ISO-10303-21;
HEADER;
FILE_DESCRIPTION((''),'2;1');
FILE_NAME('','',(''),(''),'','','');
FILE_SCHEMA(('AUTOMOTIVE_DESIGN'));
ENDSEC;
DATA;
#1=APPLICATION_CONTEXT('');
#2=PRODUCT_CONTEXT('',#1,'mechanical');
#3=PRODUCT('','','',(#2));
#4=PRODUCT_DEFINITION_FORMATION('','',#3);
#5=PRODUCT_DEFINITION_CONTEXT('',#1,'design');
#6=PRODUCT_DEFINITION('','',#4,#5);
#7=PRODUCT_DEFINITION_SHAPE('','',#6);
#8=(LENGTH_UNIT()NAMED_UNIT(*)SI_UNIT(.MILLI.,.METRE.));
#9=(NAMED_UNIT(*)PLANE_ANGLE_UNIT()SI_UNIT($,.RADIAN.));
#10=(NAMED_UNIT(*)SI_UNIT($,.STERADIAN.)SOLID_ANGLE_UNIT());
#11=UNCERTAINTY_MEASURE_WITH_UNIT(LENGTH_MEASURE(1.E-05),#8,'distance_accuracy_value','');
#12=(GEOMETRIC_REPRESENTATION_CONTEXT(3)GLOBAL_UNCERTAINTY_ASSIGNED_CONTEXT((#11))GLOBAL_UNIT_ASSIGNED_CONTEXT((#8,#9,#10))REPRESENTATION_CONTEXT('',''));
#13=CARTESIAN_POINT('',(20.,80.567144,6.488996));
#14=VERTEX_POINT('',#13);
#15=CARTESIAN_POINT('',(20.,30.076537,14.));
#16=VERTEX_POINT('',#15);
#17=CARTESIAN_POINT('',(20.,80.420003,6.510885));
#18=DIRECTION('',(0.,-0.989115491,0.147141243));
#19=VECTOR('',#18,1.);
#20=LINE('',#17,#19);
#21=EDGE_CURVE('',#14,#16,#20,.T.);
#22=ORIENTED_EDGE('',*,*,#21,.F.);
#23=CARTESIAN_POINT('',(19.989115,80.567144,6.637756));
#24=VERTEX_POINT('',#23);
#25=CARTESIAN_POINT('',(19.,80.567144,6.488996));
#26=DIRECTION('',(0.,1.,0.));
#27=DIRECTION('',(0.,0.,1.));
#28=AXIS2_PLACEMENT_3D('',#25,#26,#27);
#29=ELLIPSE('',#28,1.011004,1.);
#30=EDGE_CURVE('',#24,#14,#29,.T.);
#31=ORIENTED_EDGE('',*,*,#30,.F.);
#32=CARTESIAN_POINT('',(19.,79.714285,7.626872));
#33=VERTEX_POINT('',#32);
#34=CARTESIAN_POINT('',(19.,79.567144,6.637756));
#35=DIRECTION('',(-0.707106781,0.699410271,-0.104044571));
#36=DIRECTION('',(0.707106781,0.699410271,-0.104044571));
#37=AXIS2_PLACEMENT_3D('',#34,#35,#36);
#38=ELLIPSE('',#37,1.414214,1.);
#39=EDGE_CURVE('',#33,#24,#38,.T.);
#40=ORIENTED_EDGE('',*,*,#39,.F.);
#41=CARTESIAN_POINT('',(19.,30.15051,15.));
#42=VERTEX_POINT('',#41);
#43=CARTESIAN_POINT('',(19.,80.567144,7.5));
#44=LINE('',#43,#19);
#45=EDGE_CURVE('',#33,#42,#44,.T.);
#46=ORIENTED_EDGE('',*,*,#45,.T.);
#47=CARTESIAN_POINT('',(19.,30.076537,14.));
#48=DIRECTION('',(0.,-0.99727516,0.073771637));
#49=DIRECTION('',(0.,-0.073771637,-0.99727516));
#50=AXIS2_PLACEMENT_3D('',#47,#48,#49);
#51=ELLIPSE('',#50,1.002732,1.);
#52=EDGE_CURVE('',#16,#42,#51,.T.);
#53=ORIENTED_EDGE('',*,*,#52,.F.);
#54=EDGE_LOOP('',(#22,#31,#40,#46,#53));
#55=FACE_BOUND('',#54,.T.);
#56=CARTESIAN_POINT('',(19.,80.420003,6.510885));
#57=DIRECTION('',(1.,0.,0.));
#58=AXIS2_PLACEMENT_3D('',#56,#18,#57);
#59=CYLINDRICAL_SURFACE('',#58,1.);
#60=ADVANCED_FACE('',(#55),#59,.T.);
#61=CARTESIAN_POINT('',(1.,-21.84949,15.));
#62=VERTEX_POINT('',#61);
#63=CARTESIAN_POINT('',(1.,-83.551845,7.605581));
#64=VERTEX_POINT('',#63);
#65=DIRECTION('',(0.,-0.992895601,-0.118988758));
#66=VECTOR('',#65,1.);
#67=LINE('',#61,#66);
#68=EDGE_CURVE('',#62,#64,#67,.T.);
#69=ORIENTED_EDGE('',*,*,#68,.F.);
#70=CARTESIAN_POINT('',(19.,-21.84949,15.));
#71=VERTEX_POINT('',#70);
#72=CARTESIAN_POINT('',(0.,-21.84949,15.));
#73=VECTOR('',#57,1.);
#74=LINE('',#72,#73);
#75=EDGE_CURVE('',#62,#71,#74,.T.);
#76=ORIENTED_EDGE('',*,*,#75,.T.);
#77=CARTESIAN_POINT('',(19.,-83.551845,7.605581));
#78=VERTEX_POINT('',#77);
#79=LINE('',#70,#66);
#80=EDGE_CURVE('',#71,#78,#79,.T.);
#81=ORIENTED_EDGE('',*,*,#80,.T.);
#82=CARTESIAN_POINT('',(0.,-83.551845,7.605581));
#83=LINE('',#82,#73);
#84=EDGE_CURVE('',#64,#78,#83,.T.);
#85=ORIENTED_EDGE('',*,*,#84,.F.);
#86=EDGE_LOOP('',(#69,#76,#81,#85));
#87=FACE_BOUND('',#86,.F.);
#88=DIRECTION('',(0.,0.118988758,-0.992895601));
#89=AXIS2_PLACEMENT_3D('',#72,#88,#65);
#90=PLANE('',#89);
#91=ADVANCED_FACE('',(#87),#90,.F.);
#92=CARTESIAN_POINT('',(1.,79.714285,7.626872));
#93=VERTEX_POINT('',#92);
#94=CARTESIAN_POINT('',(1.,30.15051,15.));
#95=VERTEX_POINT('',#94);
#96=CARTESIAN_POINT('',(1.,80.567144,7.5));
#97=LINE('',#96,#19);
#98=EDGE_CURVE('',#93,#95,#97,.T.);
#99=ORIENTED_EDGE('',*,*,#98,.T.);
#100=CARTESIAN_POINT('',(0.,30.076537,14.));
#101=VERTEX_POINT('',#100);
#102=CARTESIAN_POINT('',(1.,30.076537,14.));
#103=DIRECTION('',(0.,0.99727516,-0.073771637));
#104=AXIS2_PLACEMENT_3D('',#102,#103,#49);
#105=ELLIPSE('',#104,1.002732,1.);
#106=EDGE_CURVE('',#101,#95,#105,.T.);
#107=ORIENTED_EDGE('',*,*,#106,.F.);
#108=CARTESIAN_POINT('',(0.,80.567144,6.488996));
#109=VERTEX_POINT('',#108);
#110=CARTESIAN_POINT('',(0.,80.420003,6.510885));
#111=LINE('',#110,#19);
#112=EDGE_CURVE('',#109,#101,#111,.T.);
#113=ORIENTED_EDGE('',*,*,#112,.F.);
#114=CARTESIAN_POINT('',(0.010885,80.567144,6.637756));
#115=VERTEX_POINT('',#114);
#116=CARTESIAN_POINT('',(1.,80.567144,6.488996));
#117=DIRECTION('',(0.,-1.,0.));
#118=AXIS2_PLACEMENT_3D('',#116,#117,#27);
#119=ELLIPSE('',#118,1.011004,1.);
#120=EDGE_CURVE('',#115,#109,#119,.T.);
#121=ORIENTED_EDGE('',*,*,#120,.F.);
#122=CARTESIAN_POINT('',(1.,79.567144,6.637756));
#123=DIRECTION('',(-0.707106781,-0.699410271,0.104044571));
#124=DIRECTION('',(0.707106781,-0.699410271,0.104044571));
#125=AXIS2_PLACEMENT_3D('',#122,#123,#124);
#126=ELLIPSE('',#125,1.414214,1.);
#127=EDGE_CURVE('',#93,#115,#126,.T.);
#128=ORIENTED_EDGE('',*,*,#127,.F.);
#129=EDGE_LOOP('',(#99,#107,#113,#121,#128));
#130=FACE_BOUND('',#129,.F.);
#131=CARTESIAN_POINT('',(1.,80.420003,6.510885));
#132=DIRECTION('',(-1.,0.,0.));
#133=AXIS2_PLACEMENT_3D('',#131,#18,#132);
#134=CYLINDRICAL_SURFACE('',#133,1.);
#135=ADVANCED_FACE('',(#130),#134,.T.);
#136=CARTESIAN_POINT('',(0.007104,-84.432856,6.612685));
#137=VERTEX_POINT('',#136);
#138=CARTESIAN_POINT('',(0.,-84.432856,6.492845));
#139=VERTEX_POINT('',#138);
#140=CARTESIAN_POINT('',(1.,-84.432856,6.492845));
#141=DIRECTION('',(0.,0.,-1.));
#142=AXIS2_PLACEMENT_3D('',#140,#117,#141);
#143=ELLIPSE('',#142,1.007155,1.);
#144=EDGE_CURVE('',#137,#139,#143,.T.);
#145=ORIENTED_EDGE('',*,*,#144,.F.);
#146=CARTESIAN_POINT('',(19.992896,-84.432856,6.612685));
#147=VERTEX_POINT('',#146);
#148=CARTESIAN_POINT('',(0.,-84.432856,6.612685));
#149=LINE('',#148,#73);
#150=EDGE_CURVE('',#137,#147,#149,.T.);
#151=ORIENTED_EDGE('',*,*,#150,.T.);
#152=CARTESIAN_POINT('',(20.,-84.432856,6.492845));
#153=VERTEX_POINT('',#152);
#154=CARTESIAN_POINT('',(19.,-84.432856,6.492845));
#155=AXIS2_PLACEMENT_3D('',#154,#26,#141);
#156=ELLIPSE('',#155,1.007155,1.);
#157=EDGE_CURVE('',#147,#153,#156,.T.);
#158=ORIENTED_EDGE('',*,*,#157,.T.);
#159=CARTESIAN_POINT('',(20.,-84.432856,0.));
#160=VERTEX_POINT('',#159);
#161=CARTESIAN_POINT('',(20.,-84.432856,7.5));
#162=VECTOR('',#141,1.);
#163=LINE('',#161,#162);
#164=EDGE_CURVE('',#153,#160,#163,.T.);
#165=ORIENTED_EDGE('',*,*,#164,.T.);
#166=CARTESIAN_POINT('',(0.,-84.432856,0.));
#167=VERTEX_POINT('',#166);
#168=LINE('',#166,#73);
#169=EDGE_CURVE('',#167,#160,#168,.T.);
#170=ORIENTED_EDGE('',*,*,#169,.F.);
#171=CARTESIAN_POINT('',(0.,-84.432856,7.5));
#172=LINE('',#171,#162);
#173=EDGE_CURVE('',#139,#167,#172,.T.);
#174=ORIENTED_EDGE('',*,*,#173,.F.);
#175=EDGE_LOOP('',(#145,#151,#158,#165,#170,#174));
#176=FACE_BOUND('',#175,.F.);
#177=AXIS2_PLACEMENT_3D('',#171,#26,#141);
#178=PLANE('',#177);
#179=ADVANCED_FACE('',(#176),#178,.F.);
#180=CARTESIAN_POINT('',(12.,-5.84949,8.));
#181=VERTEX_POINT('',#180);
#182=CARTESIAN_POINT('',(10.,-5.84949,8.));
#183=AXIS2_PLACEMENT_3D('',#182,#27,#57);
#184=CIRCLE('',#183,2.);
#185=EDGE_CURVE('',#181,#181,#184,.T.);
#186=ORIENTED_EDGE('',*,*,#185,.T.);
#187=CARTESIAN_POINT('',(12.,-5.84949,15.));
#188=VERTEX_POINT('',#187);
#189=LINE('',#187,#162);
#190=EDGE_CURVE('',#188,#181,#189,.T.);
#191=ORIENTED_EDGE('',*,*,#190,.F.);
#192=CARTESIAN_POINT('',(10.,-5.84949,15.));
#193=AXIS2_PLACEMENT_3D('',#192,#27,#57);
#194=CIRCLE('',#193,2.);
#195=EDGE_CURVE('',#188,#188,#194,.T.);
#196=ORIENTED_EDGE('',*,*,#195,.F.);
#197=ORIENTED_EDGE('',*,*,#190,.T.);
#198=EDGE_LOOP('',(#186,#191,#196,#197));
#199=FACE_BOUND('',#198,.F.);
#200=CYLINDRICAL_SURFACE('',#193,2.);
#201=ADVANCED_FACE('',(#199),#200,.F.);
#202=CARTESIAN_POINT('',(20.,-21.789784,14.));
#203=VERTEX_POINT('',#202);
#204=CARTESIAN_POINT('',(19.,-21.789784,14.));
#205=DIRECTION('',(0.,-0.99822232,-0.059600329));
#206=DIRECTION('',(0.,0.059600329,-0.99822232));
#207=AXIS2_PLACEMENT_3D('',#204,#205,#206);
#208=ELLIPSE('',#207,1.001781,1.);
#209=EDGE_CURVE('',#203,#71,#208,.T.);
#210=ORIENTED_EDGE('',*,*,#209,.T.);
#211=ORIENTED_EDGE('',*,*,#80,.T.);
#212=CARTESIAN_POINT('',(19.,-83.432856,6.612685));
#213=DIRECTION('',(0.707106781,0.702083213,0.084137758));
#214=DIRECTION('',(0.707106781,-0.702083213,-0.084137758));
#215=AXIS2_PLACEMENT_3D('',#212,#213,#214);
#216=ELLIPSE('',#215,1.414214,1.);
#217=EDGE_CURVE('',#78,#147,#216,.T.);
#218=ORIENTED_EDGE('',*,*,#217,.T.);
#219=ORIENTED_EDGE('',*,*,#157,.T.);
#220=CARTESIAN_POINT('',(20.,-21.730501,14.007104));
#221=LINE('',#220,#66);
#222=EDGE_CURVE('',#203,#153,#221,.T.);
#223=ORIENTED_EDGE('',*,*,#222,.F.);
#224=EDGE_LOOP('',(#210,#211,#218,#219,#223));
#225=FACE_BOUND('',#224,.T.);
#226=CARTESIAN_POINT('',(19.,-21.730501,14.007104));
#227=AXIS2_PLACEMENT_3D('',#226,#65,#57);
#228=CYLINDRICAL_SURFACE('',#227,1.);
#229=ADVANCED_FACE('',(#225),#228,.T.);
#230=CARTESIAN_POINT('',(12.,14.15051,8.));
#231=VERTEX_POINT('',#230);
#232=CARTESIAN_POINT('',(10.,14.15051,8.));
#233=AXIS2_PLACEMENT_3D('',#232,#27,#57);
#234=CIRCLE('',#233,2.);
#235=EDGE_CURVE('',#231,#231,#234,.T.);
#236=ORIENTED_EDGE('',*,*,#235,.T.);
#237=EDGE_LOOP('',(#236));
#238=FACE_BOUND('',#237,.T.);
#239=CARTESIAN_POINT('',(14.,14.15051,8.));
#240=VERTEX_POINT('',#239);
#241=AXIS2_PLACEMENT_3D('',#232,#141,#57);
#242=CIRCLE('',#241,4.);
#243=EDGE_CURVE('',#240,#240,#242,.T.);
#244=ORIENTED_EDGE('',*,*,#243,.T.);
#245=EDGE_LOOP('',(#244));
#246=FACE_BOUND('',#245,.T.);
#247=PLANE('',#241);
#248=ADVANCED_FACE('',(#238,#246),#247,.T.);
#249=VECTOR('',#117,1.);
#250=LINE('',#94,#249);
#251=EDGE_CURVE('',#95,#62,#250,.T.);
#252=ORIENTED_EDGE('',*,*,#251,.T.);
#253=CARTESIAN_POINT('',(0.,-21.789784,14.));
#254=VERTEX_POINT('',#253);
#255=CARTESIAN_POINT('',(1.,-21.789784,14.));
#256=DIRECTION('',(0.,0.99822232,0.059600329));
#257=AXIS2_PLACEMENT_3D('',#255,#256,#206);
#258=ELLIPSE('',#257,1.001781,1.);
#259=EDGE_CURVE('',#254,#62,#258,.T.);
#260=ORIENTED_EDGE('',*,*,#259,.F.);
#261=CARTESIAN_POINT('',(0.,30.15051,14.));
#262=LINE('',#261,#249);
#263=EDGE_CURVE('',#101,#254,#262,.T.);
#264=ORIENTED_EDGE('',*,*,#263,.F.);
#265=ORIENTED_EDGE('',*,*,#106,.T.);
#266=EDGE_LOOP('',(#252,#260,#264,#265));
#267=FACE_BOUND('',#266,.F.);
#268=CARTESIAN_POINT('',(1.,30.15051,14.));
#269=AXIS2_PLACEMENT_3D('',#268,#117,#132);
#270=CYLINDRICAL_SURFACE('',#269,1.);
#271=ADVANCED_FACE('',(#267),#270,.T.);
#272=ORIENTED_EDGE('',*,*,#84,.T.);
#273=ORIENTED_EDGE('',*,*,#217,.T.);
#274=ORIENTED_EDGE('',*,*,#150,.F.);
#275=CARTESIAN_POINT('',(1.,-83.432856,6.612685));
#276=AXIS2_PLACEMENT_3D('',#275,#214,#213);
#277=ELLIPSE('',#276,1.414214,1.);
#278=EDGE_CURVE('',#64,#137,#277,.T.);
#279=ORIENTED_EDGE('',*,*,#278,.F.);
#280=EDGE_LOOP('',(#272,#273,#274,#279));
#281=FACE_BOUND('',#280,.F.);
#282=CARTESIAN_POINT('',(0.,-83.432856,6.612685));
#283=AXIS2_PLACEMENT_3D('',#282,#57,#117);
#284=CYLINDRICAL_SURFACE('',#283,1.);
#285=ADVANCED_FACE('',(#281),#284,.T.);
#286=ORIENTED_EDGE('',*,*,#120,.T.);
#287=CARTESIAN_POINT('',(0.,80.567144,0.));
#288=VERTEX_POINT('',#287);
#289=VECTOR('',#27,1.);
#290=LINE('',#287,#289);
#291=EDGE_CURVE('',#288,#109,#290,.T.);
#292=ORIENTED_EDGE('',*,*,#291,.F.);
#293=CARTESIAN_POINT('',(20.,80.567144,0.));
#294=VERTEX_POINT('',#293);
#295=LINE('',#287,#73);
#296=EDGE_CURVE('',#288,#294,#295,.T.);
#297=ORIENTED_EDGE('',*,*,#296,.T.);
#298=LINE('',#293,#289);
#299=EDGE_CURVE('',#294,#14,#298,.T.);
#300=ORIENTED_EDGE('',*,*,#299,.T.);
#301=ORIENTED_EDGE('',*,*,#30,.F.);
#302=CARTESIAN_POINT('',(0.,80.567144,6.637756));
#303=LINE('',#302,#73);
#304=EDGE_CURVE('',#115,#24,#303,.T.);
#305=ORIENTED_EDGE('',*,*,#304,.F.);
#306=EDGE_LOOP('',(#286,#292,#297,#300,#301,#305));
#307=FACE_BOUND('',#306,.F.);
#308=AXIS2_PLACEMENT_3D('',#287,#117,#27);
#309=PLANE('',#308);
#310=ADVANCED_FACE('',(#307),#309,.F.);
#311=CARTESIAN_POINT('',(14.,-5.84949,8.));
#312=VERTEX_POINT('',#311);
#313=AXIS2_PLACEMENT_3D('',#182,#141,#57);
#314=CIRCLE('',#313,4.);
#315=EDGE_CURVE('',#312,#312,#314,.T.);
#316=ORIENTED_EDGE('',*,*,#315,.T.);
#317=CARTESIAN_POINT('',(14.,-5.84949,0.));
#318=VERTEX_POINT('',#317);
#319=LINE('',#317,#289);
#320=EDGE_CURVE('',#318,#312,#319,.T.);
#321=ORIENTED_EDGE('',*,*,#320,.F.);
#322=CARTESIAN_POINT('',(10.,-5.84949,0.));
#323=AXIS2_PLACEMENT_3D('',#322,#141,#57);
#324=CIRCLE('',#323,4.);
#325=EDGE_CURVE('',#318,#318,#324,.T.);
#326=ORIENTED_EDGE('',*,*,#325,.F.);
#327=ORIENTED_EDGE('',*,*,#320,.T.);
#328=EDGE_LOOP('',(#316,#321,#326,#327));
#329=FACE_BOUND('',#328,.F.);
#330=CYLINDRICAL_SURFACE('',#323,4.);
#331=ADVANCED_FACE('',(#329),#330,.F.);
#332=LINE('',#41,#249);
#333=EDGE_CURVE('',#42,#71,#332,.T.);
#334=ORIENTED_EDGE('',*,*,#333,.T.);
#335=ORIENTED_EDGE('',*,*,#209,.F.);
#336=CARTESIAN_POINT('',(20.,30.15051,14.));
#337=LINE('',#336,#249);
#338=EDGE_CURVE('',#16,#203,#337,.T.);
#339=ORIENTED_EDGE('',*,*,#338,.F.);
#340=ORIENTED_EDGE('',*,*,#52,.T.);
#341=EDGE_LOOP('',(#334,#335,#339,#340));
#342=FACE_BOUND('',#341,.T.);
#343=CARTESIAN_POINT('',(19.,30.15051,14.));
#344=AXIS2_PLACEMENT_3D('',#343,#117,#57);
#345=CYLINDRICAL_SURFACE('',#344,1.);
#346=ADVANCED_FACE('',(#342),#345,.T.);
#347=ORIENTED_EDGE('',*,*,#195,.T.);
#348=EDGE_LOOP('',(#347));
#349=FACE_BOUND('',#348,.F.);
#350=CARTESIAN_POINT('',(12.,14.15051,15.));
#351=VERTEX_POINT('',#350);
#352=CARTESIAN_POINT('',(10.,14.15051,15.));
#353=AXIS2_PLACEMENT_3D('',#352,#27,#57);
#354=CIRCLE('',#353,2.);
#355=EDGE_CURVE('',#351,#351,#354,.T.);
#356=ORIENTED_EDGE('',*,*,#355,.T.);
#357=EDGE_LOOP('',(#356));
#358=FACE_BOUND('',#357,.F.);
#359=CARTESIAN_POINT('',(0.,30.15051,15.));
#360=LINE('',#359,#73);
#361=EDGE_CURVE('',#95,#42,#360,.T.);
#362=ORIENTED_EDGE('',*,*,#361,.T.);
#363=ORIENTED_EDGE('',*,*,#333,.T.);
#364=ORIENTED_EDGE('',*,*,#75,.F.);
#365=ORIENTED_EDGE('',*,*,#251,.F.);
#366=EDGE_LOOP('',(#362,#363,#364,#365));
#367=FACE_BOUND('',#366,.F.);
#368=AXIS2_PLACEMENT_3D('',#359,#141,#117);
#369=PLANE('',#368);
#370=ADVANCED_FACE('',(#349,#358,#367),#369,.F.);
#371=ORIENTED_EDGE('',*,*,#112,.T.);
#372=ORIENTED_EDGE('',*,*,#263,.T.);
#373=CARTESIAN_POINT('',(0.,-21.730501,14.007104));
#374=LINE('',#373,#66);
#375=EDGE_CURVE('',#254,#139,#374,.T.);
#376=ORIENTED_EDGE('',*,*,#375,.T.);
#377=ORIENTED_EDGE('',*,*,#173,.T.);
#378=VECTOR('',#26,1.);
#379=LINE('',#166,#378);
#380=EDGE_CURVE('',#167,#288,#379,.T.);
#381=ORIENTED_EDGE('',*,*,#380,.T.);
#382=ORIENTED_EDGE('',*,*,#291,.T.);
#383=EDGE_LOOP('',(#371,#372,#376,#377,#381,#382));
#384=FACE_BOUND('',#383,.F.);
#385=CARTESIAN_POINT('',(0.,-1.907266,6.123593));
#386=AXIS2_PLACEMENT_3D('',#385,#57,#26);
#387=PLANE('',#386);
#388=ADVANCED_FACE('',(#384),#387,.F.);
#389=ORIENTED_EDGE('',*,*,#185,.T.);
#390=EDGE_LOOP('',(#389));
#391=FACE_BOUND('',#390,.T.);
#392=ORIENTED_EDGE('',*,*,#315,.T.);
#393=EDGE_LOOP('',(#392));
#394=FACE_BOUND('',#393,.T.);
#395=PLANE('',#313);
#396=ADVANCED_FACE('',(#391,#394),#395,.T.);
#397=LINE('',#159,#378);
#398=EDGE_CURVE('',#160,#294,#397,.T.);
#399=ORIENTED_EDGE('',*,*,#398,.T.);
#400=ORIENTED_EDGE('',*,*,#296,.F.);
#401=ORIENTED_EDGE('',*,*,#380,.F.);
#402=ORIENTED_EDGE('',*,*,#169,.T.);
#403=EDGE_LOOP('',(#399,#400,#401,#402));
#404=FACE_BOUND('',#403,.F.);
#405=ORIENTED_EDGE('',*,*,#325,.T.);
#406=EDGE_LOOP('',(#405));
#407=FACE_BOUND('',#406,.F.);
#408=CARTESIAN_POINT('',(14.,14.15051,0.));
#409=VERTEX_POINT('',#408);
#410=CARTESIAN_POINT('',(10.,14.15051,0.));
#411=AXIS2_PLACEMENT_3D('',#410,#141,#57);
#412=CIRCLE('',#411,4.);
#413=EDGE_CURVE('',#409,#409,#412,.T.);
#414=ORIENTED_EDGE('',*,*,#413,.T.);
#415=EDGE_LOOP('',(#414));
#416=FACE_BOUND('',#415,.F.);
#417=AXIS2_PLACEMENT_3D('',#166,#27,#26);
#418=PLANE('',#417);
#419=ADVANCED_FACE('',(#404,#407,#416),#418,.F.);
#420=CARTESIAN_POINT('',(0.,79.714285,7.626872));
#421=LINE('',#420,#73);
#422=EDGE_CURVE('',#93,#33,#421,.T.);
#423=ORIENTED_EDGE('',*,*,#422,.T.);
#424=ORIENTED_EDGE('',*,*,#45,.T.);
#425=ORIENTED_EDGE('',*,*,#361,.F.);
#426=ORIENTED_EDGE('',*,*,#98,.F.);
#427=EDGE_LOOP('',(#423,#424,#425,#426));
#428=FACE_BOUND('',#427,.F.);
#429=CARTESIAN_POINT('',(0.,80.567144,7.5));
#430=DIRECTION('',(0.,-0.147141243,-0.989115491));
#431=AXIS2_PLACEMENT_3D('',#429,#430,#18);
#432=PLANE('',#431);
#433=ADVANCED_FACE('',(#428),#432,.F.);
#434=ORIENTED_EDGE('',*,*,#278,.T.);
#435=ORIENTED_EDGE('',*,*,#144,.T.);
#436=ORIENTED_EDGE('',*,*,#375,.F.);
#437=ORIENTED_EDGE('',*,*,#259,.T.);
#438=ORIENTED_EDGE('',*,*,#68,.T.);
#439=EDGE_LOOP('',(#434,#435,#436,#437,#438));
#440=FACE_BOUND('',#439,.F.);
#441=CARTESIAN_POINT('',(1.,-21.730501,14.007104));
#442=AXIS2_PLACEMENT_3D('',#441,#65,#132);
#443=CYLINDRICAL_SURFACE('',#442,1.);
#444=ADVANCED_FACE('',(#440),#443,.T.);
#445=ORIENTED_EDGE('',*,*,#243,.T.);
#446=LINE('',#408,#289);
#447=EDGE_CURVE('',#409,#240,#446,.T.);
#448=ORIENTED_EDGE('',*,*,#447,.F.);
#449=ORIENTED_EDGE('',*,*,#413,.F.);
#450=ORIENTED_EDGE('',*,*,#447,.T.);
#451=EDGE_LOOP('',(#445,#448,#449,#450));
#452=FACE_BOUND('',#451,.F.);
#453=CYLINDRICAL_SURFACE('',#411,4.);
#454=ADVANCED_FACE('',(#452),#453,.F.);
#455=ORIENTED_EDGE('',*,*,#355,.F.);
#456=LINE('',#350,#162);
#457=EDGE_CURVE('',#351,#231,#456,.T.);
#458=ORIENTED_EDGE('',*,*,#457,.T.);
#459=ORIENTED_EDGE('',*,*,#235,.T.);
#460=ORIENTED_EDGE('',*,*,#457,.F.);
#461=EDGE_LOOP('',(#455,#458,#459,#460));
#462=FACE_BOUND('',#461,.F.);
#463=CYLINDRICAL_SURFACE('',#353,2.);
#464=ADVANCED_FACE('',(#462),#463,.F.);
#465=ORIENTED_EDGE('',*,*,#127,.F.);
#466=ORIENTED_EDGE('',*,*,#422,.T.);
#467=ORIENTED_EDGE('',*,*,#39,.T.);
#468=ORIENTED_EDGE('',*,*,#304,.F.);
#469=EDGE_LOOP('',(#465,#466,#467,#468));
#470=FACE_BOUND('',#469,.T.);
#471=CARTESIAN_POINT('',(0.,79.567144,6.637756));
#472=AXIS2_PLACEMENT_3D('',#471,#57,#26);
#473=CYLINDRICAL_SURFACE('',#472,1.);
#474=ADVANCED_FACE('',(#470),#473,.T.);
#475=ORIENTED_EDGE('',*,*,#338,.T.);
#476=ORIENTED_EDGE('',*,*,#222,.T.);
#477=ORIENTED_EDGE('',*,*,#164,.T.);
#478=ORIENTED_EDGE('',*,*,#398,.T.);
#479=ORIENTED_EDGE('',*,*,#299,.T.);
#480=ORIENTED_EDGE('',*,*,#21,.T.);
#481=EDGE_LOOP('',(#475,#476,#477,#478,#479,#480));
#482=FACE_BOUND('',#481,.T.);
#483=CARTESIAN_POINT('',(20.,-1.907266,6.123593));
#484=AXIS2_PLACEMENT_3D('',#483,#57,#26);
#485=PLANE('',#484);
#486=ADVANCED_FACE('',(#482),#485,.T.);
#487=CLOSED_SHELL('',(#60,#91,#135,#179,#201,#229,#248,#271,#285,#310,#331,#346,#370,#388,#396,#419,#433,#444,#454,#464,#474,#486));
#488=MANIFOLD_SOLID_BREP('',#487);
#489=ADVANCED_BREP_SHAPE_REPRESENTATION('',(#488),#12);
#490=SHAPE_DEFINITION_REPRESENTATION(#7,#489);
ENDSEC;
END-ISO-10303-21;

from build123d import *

# Parameters (mm, degrees)
PAD_DEPTH       = 20
SKETCH001_R     = 2
POCKET_DEPTH    = 15.001
SKETCH002_R     = 4
POCKET001_DEPTH = 8
FILLET_R        = 1


with BuildPart() as part:
    # Sketch (on YZ_Plane of Origin) → Pad (new body)
    with BuildSketch(Plane.YZ):
        Polygon((-84.432856, 0), (80.567144, 0), (80.567144, 7.5), (30.15051, 15), (-21.84949, 15), (-84.432856, 7.5), align=None)
    extrude(amount=PAD_DEPTH)

    # Sketch001 (on Face4 of Pad) → Pocket (cut, through all)
    with BuildSketch(Plane.XY.offset(15)):
        with Locations((10, 14.15051)):
            Circle(SKETCH001_R)
        with Locations((10, -5.84949)):
            Circle(SKETCH001_R)
    extrude(amount=-POCKET_DEPTH, mode=Mode.SUBTRACT)

    # Sketch002 (on Face1 of Pocket) → Pocket001 (cut)
    with BuildSketch(Plane(origin=(0, 0, 0), x_dir=(1, 0, 0), z_dir=(0, 0, -1))):
        with Locations((10, 5.84949)):
            Circle(SKETCH002_R)
        with Locations((10, -14.15051)):
            Circle(SKETCH002_R)
    extrude(amount=-POCKET001_DEPTH, mode=Mode.SUBTRACT)

    # Fillet
    fillet_edges = [part.edges().sort_by_distance(p)[0] for p in [
        (10, -84.432856, 7.5),
        (0, -53.141173, 11.25),
        (20, -53.141173, 11.25),
        (20, 4.15051, 15),
        (0, 4.15051, 15),
        (0, 55.358827, 11.25),
        (20, 55.358827, 11.25),
        (10, 80.567144, 7.5),
    ]]
    fillet(fillet_edges, radius=FILLET_R)


solid = part.part
